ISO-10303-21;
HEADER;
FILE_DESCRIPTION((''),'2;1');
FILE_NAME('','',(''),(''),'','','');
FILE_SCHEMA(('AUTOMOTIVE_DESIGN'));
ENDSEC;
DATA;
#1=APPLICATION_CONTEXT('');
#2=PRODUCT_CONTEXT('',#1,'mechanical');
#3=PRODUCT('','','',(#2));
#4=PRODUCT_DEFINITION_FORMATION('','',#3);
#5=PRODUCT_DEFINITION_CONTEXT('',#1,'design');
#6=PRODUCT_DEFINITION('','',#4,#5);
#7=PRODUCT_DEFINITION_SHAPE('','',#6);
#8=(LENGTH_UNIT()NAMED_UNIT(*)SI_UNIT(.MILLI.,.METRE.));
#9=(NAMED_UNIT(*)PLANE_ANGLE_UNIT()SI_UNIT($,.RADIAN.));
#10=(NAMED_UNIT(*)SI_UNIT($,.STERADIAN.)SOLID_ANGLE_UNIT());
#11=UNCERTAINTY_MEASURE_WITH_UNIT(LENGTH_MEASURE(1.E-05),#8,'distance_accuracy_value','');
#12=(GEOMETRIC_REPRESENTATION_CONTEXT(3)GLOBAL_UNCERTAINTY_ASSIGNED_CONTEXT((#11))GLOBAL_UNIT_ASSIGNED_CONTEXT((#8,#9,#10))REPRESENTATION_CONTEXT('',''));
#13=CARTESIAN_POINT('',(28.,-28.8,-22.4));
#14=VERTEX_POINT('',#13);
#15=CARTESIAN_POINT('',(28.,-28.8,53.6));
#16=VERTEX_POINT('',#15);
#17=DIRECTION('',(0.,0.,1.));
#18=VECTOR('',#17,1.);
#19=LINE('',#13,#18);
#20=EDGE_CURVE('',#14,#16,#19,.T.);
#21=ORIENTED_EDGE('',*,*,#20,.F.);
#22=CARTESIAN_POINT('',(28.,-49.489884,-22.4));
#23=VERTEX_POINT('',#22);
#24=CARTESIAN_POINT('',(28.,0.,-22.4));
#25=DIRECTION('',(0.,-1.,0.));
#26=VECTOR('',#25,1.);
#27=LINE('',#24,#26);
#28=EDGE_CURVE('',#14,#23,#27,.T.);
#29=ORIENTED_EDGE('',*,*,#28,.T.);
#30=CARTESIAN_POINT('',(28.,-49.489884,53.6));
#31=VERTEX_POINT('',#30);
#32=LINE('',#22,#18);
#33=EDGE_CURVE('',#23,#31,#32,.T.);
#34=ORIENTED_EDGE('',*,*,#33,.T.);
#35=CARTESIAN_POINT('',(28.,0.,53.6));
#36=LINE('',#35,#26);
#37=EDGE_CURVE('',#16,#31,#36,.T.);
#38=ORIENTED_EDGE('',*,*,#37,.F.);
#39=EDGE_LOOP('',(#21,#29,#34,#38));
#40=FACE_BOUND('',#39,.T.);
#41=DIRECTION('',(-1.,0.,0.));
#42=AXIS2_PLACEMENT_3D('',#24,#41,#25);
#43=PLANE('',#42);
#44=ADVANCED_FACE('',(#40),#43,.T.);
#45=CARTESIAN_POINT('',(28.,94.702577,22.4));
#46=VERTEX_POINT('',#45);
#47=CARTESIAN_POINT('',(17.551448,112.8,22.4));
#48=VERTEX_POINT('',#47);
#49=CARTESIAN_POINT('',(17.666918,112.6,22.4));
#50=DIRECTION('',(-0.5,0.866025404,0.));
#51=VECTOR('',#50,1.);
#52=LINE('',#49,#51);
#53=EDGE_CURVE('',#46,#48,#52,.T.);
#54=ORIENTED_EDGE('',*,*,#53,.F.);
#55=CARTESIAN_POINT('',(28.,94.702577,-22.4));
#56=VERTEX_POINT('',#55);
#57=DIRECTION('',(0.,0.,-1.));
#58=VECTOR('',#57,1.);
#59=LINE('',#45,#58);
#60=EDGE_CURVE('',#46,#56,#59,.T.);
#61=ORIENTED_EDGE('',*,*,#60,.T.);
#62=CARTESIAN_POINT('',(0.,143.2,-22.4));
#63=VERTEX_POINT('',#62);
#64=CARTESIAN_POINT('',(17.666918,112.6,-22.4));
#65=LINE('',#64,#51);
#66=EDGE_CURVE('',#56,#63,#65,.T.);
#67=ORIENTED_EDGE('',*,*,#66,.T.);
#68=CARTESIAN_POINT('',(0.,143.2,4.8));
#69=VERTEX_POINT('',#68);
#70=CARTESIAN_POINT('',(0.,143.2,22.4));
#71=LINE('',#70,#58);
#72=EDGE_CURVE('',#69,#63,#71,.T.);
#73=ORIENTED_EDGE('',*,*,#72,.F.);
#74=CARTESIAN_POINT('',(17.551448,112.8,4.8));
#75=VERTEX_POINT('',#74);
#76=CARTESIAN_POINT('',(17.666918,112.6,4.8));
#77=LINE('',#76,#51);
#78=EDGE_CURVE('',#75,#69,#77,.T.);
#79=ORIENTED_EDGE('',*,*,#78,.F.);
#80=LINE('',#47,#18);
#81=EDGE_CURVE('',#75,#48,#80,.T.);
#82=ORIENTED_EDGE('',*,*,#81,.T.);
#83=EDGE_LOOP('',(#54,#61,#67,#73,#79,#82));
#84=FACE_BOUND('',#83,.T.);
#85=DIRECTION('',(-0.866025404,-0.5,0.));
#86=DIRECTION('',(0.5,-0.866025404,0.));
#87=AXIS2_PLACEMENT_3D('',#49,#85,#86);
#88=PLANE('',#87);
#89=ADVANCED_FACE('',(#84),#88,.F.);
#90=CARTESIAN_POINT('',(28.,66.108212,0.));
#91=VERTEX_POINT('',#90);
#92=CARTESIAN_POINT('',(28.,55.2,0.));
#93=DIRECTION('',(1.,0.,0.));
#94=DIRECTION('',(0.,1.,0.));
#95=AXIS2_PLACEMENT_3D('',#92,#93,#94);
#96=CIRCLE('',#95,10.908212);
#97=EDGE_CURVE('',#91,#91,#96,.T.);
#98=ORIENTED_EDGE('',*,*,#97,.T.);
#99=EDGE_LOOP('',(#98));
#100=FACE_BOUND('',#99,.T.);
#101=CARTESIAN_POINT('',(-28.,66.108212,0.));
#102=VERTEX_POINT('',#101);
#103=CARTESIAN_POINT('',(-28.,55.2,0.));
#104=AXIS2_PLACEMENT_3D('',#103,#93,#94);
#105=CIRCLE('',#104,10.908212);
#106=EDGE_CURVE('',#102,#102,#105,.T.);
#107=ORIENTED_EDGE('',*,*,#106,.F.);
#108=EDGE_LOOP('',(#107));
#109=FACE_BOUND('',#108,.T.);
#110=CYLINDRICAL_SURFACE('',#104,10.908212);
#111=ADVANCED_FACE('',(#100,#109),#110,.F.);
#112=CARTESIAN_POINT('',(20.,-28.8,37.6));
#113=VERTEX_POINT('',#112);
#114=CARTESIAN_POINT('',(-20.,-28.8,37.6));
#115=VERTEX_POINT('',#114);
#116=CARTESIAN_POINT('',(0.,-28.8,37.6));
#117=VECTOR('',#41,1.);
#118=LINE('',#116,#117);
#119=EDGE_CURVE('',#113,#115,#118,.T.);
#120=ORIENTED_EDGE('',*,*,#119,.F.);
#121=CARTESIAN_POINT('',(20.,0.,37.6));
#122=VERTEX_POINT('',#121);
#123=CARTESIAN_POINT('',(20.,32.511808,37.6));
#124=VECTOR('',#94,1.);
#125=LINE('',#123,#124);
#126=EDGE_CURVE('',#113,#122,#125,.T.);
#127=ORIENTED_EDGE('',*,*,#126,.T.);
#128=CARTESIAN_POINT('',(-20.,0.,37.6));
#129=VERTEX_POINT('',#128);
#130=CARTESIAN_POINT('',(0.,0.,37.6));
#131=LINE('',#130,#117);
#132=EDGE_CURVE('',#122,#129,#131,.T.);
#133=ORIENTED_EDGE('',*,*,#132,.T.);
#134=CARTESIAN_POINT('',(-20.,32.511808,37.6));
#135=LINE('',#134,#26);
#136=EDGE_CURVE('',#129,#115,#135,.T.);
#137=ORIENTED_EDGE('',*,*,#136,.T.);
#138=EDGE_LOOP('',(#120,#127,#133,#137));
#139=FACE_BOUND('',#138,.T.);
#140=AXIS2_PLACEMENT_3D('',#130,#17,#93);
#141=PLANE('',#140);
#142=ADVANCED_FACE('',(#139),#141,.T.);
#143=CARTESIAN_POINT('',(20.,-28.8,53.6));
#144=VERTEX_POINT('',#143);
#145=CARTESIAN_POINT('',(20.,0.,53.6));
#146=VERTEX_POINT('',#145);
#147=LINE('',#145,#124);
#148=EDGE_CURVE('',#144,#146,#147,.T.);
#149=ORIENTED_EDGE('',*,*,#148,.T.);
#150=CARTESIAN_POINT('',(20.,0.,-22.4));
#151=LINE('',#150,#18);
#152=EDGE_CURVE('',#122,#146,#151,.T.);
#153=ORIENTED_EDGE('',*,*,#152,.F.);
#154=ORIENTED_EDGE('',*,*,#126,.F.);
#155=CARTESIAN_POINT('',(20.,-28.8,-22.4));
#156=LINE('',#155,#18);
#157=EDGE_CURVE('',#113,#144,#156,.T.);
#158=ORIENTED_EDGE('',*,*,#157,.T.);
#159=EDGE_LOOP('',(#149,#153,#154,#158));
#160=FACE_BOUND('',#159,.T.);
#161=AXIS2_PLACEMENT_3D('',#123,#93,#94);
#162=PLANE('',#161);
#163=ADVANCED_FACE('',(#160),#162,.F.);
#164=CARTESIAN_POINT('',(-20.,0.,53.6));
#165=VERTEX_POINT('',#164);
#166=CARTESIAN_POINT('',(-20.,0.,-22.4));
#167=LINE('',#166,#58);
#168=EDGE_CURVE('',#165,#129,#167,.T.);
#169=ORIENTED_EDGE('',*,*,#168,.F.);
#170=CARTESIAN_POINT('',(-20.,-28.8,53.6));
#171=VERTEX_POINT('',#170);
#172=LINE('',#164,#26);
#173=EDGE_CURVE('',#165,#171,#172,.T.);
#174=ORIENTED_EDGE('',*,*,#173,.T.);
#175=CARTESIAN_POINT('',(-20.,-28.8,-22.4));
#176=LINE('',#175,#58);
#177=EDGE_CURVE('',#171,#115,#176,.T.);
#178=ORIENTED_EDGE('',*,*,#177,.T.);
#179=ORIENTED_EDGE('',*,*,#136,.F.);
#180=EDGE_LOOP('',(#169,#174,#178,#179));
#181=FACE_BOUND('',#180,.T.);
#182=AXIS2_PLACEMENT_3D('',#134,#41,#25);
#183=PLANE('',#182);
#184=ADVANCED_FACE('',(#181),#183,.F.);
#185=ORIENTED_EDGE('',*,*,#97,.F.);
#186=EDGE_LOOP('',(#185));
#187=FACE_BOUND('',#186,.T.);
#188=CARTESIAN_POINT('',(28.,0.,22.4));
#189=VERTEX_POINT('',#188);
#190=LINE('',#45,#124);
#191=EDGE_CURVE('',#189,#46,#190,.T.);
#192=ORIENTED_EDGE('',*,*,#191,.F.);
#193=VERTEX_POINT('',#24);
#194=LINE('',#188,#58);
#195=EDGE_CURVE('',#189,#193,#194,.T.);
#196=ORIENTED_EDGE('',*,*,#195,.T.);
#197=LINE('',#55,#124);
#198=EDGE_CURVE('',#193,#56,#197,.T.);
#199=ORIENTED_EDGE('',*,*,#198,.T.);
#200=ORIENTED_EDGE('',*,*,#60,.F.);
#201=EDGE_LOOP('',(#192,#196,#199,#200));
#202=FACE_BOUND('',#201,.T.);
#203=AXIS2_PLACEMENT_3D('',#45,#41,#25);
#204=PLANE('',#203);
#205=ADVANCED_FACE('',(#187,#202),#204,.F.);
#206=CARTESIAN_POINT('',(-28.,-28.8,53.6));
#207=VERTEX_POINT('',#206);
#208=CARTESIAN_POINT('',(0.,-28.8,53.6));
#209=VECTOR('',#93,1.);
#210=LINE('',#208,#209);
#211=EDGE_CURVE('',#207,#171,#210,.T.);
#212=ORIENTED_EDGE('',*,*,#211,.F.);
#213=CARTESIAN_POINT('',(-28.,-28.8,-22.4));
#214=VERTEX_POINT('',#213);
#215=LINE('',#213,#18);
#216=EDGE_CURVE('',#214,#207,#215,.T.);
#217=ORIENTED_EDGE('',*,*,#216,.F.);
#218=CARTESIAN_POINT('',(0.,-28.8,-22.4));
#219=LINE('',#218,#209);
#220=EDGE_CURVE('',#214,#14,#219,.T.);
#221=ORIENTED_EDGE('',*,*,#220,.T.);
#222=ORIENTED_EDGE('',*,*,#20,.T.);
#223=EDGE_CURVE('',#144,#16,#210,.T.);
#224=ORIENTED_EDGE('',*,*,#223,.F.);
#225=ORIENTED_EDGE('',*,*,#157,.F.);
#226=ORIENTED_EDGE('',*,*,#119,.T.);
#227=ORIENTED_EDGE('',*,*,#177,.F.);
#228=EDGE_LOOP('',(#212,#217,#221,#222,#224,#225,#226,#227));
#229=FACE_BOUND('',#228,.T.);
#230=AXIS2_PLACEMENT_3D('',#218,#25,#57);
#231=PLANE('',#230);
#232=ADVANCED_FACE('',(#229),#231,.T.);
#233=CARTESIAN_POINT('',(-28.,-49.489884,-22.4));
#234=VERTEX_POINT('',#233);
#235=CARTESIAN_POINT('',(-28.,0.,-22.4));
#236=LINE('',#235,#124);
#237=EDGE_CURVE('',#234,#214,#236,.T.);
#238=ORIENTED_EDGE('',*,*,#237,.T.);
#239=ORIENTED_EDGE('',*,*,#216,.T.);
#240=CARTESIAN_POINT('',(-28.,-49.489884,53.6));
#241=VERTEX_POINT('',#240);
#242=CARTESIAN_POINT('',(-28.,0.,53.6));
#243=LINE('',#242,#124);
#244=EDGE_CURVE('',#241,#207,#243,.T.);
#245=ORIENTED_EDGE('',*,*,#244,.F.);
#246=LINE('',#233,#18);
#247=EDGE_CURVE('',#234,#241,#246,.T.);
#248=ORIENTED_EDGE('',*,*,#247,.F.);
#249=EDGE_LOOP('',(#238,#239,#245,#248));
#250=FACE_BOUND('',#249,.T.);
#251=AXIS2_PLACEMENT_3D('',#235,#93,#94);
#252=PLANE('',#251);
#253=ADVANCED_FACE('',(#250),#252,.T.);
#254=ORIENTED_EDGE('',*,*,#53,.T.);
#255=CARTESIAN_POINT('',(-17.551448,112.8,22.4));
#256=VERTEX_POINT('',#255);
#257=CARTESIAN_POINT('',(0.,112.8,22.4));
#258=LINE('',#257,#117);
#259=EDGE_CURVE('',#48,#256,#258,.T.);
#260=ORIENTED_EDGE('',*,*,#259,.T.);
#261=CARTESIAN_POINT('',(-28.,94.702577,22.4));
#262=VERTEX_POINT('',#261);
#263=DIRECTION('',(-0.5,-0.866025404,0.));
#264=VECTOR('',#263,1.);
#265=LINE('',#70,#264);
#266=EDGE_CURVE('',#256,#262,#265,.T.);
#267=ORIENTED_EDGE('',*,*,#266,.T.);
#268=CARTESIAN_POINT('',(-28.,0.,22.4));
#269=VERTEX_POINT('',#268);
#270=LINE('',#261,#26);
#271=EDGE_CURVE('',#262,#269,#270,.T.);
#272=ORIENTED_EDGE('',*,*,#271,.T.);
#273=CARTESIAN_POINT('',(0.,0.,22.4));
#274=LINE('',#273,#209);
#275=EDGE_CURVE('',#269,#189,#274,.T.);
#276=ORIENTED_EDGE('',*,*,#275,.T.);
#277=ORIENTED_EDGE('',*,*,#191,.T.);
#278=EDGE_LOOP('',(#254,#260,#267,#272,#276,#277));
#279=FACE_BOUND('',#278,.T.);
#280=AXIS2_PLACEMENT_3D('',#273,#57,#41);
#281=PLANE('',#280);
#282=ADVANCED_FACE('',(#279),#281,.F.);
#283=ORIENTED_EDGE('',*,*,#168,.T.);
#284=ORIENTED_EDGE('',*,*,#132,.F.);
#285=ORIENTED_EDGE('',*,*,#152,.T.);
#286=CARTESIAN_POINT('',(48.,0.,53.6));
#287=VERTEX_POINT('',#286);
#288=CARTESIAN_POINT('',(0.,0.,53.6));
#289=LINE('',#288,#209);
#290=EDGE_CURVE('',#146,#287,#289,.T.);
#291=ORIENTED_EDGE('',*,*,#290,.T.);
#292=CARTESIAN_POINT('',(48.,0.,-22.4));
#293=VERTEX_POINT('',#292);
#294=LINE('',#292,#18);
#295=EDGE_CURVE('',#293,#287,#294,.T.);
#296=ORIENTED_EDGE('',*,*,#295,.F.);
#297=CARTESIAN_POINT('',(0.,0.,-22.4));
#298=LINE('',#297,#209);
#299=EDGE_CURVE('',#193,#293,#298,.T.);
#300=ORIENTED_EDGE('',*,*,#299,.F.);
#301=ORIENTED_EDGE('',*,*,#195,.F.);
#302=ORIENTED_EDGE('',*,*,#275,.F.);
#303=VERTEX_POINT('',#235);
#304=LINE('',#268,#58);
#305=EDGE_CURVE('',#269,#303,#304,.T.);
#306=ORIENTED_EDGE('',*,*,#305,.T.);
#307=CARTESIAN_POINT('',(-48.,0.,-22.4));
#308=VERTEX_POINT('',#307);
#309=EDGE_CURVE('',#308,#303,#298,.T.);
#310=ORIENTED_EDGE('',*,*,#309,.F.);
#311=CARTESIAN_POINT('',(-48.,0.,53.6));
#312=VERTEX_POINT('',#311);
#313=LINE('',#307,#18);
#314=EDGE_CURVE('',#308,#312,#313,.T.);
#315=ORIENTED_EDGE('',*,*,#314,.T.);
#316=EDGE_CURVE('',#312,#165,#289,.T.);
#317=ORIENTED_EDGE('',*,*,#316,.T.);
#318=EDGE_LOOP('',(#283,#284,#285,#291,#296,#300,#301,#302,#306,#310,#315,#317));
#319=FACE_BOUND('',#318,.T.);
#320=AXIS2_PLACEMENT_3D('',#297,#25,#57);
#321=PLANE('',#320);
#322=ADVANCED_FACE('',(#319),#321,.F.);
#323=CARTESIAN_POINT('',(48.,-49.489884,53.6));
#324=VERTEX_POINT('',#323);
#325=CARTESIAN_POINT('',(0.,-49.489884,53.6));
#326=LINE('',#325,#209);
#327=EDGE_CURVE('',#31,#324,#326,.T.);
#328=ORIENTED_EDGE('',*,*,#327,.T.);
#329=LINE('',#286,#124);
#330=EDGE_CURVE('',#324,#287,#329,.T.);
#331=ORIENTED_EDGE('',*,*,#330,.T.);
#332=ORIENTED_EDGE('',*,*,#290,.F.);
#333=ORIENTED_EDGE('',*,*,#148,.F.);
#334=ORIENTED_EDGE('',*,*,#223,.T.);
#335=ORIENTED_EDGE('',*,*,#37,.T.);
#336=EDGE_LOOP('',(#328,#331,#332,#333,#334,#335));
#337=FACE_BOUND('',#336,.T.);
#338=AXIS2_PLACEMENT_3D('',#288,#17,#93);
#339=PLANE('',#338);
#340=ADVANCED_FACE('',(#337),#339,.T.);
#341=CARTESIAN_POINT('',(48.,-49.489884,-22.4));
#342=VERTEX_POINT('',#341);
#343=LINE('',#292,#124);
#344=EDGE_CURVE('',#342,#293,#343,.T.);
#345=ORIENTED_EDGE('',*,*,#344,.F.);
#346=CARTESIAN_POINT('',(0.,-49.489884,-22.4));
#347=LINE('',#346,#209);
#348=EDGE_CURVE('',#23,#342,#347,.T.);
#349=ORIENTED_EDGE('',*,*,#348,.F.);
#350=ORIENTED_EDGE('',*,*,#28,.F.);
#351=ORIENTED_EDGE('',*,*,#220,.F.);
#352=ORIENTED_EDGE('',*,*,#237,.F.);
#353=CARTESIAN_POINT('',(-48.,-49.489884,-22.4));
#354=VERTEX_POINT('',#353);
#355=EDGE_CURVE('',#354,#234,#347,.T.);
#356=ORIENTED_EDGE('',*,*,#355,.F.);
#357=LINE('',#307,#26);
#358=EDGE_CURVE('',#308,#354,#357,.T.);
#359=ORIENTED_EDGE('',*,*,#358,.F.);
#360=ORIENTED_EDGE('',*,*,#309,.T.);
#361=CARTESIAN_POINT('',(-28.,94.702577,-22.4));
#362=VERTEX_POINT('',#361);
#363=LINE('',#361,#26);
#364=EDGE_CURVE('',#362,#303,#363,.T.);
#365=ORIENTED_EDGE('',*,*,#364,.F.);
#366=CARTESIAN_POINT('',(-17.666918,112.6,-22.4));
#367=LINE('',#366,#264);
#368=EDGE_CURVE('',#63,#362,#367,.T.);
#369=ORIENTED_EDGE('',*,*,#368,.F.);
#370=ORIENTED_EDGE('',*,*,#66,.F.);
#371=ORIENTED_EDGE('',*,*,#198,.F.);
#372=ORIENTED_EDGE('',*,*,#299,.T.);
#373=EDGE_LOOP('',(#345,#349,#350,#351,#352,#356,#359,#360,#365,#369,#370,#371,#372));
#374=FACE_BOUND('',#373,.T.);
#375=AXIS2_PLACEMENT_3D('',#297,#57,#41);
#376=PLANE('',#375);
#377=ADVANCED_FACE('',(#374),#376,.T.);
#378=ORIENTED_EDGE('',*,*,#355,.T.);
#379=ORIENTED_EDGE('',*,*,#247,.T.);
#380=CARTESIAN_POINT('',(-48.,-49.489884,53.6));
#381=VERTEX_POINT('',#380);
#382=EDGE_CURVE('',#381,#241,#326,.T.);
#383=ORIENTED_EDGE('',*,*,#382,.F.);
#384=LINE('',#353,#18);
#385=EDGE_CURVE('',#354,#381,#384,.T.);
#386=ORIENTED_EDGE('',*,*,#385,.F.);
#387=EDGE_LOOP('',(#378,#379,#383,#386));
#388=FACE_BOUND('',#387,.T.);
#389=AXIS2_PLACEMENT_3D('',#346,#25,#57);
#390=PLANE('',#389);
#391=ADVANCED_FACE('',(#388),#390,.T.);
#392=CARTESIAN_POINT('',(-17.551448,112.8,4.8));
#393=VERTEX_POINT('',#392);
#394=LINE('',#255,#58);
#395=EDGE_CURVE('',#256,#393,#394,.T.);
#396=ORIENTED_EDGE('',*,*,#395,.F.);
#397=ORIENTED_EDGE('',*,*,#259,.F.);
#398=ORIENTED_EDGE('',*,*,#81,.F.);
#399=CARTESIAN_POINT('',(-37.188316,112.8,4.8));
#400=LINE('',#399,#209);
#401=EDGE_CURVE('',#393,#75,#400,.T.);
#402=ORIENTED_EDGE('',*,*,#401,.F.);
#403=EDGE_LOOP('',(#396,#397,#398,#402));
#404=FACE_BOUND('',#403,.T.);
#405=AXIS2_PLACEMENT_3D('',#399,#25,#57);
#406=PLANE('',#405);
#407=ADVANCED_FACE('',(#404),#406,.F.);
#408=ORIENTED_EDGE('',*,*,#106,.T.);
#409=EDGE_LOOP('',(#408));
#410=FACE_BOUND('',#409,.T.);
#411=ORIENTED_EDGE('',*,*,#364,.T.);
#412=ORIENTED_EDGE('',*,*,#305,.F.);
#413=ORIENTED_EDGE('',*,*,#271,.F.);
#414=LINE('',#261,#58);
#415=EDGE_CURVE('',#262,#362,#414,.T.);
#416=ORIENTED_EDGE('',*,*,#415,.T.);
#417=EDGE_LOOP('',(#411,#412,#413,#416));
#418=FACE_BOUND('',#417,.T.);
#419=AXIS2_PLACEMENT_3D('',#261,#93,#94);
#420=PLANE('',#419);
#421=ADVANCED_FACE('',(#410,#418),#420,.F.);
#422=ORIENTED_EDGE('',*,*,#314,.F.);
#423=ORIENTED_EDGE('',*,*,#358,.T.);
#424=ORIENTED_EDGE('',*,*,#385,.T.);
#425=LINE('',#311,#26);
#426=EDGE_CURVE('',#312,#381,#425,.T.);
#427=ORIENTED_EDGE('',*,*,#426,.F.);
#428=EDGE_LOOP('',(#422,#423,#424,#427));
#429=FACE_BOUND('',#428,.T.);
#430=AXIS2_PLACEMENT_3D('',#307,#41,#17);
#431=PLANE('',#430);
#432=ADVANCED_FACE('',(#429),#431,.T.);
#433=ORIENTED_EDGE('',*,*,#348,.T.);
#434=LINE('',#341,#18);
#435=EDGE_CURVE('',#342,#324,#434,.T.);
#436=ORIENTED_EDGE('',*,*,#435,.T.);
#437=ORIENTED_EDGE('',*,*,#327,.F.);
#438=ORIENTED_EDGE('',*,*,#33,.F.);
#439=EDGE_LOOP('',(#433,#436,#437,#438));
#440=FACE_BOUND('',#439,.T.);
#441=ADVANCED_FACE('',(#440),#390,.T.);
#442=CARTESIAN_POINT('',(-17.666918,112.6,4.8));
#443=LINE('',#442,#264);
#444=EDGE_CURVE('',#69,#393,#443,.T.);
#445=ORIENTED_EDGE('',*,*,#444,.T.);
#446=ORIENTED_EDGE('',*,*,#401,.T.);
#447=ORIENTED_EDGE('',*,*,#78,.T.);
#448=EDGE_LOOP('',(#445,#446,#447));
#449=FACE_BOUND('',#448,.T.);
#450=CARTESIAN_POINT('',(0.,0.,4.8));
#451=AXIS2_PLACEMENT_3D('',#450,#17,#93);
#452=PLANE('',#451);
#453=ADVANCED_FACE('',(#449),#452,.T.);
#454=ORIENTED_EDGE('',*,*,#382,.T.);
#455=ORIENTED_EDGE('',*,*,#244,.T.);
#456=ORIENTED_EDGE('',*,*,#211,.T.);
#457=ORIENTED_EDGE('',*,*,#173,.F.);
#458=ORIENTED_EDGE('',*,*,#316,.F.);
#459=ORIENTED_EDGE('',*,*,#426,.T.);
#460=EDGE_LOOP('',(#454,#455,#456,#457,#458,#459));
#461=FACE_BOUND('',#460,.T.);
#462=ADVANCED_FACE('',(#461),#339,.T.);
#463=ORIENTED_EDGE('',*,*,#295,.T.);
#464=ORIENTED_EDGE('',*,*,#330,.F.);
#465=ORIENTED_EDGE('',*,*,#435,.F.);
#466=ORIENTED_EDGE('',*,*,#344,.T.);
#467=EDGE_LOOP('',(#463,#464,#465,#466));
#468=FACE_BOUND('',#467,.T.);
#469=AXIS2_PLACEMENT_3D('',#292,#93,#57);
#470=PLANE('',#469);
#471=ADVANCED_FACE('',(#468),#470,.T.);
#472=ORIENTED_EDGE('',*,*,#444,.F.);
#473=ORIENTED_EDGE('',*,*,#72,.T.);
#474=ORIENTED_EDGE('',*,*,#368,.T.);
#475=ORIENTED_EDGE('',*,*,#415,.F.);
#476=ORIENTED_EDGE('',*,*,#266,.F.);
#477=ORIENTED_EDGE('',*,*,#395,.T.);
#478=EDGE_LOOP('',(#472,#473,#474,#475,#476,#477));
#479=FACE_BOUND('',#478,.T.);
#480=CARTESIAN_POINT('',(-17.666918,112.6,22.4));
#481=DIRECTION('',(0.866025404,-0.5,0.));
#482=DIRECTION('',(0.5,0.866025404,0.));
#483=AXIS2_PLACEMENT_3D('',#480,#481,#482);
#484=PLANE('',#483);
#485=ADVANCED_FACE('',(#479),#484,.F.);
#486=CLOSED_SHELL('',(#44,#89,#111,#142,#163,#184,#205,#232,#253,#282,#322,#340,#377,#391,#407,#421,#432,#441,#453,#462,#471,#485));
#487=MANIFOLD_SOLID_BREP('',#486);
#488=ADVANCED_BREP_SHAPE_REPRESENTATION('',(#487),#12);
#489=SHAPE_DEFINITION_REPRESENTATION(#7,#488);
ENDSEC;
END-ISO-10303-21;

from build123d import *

# Parameters (mm, degrees)
BOSS_EXTRUDE1_DEPTH      = 22.4
SKETCH2_R                = 10.908211602
CUT_EXTRUDE1_DEPTH       = 156.383396796
SKETCH3_W                = 70.975037356
SKETCH3_H                = 39.358884352
CUT_EXTRUDE2_DEPTH       = 17.6
BOSS_EXTRUDE3_DEPTH      = 53.6
BOSS_EXTRUDE3_DEPTH_BACK = 22.4
SKETCH7_W                = 40
SKETCH7_H                = 93.823615884
CUT_EXTRUDE4_DEPTH       = 16


with BuildPart() as part:
    # Sketch1 → Boss-Extrude1 (new, symmetric)
    with BuildSketch(Plane.XY):
        Polygon((-17.666918237, 112.6), (-28, 94.702577388), (-28, 0), (0, 0), (28, 0), (28, 94.702577388), (17.666918237, 112.6), (0, 143.2), align=None)
    extrude(amount=BOSS_EXTRUDE1_DEPTH, both=True)

    # Sketch2 → Cut-Extrude1 (cut, through all)
    with BuildSketch(Plane(origin=(28, 0, 0), x_dir=(0, 0, -1), z_dir=(1, 0, 0))):
        with Locations(Location((0, 55.2, 0), (0, 0, 90))):
            Circle(SKETCH2_R)
    extrude(amount=-CUT_EXTRUDE1_DEPTH, mode=Mode.SUBTRACT)

    # Sketch3 → Cut-Extrude2 (cut)
    with BuildSketch(Plane.XY.offset(22.4)):
        with Locations((-1.700797659, 132.479442176)):
            Rectangle(SKETCH3_W, SKETCH3_H)
    extrude(amount=-CUT_EXTRUDE2_DEPTH, mode=Mode.SUBTRACT)

    # Sketch4 → Boss-Extrude3 (add, two sides: drawn at the far end of the back side and taken through both)
    with BuildSketch(Plane.XY.offset(-BOSS_EXTRUDE3_DEPTH_BACK)):
        Polygon((0, 0), (-28, 0), (-48, 0), (-48, -49.489884121), (-28, -49.489884121), (-28, -28.8), (28, -28.8), (28, -49.489884121), (48, -49.489884121), (48, 0), (28, 0), align=None)
    extrude(amount=BOSS_EXTRUDE3_DEPTH + BOSS_EXTRUDE3_DEPTH_BACK)

    # Sketch7 → Cut-Extrude4 (cut)
    with BuildSketch(Plane.XY.offset(53.6)):
        with Locations((0, -14.4)):
            Rectangle(SKETCH7_W, SKETCH7_H)
    extrude(amount=-CUT_EXTRUDE4_DEPTH, mode=Mode.SUBTRACT)


solid = part.part
